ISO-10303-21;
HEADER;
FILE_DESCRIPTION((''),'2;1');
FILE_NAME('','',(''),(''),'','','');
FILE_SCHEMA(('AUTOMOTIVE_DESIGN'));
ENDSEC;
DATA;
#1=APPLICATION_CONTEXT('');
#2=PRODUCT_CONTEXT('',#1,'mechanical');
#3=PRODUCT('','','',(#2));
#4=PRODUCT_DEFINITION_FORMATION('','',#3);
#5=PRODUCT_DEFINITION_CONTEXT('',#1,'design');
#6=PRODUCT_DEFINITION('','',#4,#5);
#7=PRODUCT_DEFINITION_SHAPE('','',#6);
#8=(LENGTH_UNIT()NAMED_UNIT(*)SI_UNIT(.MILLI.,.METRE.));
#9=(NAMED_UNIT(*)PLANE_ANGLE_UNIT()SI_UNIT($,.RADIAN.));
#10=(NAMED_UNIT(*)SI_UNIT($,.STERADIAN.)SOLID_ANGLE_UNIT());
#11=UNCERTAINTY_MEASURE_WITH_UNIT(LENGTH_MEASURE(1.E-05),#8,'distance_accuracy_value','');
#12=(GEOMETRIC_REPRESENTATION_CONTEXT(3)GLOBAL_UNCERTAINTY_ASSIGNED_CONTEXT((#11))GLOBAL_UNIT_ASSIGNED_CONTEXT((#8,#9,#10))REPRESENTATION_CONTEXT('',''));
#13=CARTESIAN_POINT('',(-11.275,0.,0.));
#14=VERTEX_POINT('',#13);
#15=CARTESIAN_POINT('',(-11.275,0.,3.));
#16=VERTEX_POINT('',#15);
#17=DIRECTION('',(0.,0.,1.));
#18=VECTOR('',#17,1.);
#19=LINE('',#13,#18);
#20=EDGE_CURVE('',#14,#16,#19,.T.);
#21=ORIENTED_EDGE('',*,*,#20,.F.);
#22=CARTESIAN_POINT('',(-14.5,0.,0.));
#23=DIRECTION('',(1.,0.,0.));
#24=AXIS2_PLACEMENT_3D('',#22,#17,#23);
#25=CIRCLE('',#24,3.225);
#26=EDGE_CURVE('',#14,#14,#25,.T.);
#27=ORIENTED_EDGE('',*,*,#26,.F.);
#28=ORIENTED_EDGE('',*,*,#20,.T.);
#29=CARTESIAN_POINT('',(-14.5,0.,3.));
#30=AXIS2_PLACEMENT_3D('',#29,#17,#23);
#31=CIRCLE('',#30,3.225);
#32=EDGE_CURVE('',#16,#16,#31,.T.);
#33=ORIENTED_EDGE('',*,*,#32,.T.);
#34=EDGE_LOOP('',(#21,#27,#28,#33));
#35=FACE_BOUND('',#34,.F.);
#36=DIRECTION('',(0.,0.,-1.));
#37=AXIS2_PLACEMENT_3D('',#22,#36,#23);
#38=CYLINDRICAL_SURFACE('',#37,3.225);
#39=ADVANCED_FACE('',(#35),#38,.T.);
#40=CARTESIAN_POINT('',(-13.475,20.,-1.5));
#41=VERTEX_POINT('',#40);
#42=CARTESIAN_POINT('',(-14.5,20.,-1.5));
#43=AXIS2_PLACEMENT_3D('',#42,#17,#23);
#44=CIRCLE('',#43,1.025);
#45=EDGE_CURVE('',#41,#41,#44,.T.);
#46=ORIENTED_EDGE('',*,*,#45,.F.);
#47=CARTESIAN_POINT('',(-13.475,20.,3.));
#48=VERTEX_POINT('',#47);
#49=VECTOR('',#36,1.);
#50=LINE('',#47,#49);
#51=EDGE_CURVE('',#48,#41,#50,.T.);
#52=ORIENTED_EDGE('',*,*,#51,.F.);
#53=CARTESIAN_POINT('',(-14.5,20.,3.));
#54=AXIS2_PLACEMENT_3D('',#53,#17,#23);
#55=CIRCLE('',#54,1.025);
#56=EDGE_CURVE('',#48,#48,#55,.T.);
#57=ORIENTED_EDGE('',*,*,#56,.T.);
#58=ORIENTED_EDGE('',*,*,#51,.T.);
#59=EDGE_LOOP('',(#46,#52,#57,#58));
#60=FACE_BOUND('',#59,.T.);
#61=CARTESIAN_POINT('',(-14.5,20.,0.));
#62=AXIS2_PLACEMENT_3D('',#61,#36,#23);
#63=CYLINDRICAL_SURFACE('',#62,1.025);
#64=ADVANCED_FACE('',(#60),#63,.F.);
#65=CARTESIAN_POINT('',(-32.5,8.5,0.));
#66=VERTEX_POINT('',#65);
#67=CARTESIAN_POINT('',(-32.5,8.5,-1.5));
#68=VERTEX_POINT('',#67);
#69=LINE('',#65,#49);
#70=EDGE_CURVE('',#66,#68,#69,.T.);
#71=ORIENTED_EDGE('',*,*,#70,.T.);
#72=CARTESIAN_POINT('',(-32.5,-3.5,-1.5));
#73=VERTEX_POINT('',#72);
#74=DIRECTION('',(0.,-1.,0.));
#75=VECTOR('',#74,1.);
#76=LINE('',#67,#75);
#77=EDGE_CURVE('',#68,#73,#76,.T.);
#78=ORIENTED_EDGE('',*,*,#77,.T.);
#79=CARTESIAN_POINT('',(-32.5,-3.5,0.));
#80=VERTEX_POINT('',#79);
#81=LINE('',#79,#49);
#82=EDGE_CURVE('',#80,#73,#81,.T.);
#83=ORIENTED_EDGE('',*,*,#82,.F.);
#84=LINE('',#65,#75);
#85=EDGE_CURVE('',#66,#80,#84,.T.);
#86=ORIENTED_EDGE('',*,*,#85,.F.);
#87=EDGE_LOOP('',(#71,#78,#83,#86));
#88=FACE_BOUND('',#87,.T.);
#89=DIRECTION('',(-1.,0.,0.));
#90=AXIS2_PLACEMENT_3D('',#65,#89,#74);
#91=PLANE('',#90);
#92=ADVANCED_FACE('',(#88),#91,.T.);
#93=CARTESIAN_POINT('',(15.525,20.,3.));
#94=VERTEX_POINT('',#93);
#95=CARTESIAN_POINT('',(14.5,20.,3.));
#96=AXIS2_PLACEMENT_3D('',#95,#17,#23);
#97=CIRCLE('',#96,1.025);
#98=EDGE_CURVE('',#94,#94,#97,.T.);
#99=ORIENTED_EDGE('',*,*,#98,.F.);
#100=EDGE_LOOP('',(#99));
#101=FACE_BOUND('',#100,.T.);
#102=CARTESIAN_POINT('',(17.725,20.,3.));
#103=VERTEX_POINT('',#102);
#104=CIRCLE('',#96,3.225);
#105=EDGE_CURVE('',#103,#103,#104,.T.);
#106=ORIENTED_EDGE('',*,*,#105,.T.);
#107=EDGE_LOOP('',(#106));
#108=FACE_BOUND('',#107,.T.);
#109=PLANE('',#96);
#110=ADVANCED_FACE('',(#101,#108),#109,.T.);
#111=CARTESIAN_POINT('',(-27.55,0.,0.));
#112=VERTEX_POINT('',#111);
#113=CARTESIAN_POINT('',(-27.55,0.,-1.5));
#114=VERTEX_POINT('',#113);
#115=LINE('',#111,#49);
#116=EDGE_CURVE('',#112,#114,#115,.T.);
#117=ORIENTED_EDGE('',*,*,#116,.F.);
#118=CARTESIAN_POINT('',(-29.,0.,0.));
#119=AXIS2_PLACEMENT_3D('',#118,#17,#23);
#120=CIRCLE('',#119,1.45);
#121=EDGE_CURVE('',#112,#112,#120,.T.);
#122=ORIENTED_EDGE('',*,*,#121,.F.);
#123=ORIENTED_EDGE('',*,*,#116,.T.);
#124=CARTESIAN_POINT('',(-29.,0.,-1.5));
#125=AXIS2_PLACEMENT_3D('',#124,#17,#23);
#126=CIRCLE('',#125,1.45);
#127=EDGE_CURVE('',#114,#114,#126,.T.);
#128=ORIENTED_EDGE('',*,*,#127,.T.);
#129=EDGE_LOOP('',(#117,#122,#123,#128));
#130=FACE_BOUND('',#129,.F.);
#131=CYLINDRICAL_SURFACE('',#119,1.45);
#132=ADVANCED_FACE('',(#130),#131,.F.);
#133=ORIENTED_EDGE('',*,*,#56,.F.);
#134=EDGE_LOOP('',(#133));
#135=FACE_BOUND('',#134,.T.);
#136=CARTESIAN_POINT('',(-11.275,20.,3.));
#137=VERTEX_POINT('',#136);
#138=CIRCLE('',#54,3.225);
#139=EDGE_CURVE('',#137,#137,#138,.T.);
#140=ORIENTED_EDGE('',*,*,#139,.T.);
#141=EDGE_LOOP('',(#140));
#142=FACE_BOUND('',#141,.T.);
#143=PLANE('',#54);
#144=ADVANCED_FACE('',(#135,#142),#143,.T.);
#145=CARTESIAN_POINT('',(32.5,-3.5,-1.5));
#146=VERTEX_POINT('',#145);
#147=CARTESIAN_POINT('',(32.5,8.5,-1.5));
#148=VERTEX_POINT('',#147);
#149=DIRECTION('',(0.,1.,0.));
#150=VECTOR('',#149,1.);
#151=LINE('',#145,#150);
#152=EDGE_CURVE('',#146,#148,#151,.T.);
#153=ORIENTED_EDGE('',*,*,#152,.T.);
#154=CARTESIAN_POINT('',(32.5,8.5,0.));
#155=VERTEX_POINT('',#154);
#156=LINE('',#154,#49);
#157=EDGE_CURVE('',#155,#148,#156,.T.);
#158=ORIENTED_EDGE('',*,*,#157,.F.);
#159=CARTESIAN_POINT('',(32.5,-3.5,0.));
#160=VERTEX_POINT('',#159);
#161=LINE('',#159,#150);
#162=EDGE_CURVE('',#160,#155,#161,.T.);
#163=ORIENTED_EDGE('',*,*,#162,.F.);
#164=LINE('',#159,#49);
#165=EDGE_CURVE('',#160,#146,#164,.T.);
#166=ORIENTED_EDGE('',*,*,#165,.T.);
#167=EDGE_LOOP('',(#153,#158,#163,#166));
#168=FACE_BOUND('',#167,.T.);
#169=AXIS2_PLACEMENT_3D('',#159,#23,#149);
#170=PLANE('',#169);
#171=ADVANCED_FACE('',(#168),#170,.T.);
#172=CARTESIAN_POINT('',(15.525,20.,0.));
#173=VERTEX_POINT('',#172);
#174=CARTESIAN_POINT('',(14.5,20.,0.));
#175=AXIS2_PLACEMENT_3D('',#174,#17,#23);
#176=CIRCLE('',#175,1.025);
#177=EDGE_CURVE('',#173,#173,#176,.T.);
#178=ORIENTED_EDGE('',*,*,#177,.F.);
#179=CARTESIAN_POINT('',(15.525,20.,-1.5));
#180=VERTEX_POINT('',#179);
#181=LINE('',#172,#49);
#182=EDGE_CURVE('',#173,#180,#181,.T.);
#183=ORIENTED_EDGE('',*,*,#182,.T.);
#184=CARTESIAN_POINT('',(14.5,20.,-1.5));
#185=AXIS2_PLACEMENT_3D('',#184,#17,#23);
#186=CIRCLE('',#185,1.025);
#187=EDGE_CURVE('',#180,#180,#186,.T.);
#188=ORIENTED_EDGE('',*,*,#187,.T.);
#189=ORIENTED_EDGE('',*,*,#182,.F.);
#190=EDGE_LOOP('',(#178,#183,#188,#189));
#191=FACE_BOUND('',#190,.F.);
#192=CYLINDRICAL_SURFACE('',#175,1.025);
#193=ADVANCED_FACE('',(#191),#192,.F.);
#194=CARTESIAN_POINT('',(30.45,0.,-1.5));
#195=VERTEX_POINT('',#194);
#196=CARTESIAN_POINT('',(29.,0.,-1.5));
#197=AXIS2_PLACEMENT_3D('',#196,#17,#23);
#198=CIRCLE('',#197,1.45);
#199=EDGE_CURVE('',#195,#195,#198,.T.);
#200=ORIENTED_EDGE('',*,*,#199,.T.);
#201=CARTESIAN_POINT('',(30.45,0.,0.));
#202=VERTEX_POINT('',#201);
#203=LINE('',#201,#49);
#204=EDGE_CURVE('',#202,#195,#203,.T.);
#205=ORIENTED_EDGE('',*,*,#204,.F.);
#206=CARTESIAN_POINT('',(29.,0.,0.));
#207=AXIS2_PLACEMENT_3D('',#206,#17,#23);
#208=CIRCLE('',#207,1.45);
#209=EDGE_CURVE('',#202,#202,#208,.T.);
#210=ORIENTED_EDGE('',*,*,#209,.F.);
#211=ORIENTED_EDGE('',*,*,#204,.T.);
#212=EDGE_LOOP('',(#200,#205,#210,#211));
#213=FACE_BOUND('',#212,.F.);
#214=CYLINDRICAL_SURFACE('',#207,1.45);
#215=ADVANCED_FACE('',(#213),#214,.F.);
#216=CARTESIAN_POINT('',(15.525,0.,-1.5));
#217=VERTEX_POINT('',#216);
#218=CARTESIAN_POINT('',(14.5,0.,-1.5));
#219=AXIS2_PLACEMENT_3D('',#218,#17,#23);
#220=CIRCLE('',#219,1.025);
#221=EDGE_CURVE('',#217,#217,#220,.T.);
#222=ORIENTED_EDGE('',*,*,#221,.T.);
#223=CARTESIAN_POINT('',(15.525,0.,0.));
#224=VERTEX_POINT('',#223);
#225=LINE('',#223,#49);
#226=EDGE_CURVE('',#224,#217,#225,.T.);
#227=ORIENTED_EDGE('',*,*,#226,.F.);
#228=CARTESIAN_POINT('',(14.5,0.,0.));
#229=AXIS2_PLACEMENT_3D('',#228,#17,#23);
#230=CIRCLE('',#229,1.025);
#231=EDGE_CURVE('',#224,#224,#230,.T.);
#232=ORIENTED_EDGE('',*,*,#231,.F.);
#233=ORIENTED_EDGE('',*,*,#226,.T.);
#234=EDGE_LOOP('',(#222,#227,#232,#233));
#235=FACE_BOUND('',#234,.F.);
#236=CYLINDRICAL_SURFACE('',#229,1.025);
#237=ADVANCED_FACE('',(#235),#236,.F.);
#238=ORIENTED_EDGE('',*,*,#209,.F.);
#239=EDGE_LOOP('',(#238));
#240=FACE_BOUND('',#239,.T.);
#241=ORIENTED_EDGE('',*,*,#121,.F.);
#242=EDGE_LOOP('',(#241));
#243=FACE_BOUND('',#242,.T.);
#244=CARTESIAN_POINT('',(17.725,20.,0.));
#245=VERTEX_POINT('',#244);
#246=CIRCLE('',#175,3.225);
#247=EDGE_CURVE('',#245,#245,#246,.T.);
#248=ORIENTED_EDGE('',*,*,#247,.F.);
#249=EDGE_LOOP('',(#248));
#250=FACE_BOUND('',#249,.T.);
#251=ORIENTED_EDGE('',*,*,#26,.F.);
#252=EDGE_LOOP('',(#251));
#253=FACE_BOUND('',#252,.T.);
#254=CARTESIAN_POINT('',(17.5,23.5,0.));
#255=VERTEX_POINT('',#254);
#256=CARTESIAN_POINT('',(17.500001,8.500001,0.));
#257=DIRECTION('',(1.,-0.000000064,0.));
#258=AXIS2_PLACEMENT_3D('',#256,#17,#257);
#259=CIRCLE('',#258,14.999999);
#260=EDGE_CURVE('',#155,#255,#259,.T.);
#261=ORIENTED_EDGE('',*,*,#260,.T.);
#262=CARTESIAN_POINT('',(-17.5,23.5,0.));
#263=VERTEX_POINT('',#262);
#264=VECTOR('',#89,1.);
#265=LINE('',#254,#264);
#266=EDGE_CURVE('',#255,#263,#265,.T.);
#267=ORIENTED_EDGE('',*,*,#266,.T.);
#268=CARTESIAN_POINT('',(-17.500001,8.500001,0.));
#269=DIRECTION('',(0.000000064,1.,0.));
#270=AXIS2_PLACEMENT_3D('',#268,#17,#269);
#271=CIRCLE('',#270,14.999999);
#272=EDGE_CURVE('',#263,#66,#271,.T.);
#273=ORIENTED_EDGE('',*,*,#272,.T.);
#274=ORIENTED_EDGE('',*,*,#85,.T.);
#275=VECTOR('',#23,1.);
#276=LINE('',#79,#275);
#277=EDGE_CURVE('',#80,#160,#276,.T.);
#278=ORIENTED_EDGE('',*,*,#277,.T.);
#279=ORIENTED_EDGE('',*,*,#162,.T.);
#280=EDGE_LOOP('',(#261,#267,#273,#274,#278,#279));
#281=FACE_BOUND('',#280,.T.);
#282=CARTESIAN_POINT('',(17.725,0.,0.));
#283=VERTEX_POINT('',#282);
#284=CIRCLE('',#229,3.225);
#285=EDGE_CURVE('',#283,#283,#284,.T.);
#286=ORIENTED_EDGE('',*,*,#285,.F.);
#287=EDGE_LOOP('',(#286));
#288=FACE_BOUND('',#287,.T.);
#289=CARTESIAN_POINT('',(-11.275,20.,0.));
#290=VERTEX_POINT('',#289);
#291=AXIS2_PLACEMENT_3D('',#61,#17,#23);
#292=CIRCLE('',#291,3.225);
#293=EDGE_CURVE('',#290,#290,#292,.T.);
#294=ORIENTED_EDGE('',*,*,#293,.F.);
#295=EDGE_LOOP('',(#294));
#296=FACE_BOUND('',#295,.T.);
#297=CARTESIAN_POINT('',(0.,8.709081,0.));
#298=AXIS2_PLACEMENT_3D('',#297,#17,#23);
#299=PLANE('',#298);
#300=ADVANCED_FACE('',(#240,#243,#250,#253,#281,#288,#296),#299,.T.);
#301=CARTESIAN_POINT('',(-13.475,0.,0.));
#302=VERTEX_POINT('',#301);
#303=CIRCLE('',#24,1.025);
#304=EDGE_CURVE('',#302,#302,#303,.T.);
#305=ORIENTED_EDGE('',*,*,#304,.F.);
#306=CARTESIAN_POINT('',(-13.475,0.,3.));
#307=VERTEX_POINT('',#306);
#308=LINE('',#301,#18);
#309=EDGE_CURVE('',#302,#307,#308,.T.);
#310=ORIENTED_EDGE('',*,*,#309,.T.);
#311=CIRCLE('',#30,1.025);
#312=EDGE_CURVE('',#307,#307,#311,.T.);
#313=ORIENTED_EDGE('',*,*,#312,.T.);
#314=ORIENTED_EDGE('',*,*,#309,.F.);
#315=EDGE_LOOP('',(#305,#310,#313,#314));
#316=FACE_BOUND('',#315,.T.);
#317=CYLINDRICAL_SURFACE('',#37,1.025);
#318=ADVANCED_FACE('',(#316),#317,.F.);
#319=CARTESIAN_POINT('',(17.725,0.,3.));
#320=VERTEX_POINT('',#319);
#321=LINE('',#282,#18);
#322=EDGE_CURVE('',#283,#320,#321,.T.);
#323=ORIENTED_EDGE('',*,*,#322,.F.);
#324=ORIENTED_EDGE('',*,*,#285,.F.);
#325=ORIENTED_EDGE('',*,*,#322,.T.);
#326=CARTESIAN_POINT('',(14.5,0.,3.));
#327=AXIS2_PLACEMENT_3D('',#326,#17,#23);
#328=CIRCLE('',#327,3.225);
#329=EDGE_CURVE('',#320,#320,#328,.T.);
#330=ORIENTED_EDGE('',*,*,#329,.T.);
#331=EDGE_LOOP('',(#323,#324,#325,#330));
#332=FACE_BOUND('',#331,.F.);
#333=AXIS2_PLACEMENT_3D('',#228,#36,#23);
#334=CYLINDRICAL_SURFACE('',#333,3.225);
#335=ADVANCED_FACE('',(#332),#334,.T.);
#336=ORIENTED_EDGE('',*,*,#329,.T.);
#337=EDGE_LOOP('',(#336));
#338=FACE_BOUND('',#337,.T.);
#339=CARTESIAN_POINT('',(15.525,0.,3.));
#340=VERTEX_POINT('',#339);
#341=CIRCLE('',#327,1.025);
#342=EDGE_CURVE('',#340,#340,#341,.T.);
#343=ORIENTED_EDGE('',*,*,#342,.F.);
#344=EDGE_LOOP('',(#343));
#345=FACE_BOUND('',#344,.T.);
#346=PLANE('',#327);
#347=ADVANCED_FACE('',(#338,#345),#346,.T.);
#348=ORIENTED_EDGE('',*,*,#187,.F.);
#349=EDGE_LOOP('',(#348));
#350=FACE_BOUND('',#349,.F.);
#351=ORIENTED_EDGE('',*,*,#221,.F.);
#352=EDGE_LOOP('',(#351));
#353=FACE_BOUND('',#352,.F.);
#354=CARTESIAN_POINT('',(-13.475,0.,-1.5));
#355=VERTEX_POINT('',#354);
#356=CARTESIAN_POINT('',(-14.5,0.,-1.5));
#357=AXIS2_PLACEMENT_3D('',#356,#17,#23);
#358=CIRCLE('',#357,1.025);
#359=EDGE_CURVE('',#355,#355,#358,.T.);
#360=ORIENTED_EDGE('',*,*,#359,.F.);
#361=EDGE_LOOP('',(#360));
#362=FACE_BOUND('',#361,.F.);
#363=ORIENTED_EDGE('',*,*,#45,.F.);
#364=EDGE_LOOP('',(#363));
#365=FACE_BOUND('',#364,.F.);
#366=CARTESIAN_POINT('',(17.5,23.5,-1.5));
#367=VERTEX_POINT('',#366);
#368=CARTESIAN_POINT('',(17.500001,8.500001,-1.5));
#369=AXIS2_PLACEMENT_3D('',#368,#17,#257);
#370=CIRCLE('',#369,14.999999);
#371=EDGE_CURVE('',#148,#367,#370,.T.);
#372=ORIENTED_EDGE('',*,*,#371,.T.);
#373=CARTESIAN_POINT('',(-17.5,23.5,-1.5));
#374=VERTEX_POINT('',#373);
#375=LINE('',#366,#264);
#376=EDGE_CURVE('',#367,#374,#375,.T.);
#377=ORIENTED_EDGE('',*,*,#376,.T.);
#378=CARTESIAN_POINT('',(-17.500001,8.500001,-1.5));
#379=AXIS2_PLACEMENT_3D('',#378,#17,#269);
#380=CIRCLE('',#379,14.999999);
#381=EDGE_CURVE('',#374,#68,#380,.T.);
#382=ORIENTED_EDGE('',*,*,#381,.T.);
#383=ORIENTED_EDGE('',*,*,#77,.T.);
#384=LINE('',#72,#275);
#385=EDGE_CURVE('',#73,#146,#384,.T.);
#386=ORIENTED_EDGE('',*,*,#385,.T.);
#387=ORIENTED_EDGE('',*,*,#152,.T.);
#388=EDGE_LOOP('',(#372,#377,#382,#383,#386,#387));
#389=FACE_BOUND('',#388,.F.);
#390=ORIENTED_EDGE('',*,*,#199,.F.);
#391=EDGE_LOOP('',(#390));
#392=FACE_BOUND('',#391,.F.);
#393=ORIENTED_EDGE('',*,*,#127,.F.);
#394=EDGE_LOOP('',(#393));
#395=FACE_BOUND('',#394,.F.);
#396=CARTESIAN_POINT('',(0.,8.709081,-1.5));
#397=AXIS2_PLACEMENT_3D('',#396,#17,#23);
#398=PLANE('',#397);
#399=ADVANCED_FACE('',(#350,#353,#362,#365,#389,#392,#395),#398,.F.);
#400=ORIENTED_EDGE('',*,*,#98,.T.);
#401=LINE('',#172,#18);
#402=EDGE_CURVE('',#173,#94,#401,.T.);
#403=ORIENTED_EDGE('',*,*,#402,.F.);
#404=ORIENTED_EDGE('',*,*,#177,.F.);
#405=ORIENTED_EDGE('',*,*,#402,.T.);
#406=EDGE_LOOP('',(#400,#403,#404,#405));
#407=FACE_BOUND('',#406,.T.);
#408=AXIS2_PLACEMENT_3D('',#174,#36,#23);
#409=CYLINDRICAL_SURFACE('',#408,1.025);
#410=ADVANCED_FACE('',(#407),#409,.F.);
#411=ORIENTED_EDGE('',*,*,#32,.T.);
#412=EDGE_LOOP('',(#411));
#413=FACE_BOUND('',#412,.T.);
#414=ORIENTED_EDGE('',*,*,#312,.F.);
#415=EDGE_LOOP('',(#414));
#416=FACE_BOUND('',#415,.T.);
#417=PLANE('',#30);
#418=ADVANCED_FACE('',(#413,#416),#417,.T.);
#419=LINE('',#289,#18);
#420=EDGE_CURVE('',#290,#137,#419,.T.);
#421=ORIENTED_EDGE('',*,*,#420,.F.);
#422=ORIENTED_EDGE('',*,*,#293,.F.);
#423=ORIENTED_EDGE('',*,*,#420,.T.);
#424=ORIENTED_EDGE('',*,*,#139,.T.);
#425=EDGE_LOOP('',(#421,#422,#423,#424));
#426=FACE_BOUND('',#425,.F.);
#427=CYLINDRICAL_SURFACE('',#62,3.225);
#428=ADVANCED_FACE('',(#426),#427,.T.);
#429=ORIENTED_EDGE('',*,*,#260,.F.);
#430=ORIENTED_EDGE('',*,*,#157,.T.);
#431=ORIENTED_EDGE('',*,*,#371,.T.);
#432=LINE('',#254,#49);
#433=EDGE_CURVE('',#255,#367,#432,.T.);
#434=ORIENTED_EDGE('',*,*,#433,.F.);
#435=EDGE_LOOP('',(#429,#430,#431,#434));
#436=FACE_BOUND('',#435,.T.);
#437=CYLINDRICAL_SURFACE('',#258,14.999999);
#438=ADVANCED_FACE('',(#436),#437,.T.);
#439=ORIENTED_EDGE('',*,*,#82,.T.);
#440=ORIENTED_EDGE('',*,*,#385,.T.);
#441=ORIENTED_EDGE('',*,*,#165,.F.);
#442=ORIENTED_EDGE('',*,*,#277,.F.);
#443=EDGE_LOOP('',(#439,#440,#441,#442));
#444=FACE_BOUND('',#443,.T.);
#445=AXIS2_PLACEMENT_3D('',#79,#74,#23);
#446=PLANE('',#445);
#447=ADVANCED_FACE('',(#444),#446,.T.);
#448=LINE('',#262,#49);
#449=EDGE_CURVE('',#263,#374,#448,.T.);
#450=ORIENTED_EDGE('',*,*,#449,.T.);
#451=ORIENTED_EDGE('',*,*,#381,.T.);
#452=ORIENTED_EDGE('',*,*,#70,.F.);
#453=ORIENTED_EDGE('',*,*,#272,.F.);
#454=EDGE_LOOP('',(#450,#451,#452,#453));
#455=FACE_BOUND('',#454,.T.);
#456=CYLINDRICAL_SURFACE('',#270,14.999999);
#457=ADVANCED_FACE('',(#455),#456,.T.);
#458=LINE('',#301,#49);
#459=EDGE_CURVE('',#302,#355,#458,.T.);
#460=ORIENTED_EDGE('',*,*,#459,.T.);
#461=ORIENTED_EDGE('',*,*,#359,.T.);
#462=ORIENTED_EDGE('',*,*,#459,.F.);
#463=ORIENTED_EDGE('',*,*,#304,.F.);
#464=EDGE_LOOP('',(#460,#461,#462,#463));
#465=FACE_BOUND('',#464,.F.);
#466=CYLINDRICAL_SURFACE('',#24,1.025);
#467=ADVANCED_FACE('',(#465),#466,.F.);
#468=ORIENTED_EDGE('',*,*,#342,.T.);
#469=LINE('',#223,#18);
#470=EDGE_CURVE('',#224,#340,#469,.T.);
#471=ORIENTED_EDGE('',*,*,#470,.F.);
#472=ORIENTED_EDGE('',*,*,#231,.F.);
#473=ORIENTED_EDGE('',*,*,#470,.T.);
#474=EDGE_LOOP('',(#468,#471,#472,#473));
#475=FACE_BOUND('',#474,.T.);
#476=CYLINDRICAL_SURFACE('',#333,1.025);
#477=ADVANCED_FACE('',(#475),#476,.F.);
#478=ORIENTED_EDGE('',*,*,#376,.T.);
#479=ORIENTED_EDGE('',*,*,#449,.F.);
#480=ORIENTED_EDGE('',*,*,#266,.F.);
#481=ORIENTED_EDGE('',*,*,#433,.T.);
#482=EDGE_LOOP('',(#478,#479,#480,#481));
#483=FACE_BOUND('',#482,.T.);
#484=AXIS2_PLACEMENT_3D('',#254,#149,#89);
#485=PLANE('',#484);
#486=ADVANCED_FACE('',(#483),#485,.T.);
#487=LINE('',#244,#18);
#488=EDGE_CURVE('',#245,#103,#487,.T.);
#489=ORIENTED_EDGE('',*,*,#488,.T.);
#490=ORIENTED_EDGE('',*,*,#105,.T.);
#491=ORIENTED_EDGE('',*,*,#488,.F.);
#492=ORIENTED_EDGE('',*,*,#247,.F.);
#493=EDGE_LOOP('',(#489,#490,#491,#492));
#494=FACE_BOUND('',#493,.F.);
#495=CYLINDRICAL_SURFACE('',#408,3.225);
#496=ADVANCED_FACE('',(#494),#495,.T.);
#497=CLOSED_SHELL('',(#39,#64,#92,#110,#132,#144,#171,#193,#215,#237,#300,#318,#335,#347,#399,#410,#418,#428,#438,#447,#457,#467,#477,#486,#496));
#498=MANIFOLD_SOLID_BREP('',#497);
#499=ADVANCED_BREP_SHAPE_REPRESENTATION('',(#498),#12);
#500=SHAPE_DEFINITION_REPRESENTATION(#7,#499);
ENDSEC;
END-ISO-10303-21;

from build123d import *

# Parameters (mm, degrees)
F0_R     = 1.45
F0_R_2   = 3.225
F0_R_3   = 1.025
F1_DEPTH = 1.5
F2_DEPTH = 3


with BuildPart() as f1:
    # F0 (on Top) → F1 (new body)
    with BuildSketch(Plane.XY):
        with BuildLine():
            Line((-32.5, 8.5), (-32.5, -3.5))
            Line((-32.5, -3.5), (32.5, -3.5))
            Line((32.5, -3.5), (32.5, 8.5))
            ThreePointArc((32.5, 8.5), (28.106602, 19.106602), (17.5, 23.5))
            Line((17.5, 23.5), (-17.5, 23.5))
            ThreePointArc((-17.5, 23.5), (-28.106602, 19.106602), (-32.5, 8.5))
        make_face()
        with Locations((-29, 0)):
            Circle(F0_R, mode=Mode.SUBTRACT)
        with Locations((-14.5, 0)):
            Circle(F0_R_2, mode=Mode.SUBTRACT)
        with Locations((14.5, 0)):
            Circle(F0_R_2, mode=Mode.SUBTRACT)
        with Locations((29, 0)):
            Circle(F0_R, mode=Mode.SUBTRACT)
        with Locations((-14.5, 20)):
            Circle(F0_R_2, mode=Mode.SUBTRACT)
        with Locations((14.5, 20)):
            Circle(F0_R_2, mode=Mode.SUBTRACT)
        with Locations((-14.5, 0)):
            Circle(F0_R_2)
        with Locations((-14.5, 0)):
            Circle(F0_R_3, mode=Mode.SUBTRACT)
        with Locations((-14.5, 20)):
            Circle(F0_R_2)
        with Locations((-14.5, 20)):
            Circle(F0_R_3, mode=Mode.SUBTRACT)
        with Locations((14.5, 20)):
            Circle(F0_R_2)
        with Locations((14.5, 20)):
            Circle(F0_R_3, mode=Mode.SUBTRACT)
        with Locations((14.5, 0)):
            Circle(F0_R_2)
        with Locations((14.5, 0)):
            Circle(F0_R_3, mode=Mode.SUBTRACT)
    extrude(amount=-F1_DEPTH)

    # F0 (on Top) → F2 (join)
    with BuildSketch(Plane.XY):
        with Locations((-14.5, 20)):
            Circle(F0_R_2)
        with Locations((-14.5, 20)):
            Circle(F0_R_3, mode=Mode.SUBTRACT)
        with Locations((-14.5, 0)):
            Circle(F0_R_2)
        with Locations((-14.5, 0)):
            Circle(F0_R_3, mode=Mode.SUBTRACT)
        with Locations((14.5, 0)):
            Circle(F0_R_2)
        with Locations((14.5, 0)):
            Circle(F0_R_3, mode=Mode.SUBTRACT)
        with Locations((14.5, 20)):
            Circle(F0_R_2)
        with Locations((14.5, 20)):
            Circle(F0_R_3, mode=Mode.SUBTRACT)
    extrude(amount=F2_DEPTH)


solid = f1.part
